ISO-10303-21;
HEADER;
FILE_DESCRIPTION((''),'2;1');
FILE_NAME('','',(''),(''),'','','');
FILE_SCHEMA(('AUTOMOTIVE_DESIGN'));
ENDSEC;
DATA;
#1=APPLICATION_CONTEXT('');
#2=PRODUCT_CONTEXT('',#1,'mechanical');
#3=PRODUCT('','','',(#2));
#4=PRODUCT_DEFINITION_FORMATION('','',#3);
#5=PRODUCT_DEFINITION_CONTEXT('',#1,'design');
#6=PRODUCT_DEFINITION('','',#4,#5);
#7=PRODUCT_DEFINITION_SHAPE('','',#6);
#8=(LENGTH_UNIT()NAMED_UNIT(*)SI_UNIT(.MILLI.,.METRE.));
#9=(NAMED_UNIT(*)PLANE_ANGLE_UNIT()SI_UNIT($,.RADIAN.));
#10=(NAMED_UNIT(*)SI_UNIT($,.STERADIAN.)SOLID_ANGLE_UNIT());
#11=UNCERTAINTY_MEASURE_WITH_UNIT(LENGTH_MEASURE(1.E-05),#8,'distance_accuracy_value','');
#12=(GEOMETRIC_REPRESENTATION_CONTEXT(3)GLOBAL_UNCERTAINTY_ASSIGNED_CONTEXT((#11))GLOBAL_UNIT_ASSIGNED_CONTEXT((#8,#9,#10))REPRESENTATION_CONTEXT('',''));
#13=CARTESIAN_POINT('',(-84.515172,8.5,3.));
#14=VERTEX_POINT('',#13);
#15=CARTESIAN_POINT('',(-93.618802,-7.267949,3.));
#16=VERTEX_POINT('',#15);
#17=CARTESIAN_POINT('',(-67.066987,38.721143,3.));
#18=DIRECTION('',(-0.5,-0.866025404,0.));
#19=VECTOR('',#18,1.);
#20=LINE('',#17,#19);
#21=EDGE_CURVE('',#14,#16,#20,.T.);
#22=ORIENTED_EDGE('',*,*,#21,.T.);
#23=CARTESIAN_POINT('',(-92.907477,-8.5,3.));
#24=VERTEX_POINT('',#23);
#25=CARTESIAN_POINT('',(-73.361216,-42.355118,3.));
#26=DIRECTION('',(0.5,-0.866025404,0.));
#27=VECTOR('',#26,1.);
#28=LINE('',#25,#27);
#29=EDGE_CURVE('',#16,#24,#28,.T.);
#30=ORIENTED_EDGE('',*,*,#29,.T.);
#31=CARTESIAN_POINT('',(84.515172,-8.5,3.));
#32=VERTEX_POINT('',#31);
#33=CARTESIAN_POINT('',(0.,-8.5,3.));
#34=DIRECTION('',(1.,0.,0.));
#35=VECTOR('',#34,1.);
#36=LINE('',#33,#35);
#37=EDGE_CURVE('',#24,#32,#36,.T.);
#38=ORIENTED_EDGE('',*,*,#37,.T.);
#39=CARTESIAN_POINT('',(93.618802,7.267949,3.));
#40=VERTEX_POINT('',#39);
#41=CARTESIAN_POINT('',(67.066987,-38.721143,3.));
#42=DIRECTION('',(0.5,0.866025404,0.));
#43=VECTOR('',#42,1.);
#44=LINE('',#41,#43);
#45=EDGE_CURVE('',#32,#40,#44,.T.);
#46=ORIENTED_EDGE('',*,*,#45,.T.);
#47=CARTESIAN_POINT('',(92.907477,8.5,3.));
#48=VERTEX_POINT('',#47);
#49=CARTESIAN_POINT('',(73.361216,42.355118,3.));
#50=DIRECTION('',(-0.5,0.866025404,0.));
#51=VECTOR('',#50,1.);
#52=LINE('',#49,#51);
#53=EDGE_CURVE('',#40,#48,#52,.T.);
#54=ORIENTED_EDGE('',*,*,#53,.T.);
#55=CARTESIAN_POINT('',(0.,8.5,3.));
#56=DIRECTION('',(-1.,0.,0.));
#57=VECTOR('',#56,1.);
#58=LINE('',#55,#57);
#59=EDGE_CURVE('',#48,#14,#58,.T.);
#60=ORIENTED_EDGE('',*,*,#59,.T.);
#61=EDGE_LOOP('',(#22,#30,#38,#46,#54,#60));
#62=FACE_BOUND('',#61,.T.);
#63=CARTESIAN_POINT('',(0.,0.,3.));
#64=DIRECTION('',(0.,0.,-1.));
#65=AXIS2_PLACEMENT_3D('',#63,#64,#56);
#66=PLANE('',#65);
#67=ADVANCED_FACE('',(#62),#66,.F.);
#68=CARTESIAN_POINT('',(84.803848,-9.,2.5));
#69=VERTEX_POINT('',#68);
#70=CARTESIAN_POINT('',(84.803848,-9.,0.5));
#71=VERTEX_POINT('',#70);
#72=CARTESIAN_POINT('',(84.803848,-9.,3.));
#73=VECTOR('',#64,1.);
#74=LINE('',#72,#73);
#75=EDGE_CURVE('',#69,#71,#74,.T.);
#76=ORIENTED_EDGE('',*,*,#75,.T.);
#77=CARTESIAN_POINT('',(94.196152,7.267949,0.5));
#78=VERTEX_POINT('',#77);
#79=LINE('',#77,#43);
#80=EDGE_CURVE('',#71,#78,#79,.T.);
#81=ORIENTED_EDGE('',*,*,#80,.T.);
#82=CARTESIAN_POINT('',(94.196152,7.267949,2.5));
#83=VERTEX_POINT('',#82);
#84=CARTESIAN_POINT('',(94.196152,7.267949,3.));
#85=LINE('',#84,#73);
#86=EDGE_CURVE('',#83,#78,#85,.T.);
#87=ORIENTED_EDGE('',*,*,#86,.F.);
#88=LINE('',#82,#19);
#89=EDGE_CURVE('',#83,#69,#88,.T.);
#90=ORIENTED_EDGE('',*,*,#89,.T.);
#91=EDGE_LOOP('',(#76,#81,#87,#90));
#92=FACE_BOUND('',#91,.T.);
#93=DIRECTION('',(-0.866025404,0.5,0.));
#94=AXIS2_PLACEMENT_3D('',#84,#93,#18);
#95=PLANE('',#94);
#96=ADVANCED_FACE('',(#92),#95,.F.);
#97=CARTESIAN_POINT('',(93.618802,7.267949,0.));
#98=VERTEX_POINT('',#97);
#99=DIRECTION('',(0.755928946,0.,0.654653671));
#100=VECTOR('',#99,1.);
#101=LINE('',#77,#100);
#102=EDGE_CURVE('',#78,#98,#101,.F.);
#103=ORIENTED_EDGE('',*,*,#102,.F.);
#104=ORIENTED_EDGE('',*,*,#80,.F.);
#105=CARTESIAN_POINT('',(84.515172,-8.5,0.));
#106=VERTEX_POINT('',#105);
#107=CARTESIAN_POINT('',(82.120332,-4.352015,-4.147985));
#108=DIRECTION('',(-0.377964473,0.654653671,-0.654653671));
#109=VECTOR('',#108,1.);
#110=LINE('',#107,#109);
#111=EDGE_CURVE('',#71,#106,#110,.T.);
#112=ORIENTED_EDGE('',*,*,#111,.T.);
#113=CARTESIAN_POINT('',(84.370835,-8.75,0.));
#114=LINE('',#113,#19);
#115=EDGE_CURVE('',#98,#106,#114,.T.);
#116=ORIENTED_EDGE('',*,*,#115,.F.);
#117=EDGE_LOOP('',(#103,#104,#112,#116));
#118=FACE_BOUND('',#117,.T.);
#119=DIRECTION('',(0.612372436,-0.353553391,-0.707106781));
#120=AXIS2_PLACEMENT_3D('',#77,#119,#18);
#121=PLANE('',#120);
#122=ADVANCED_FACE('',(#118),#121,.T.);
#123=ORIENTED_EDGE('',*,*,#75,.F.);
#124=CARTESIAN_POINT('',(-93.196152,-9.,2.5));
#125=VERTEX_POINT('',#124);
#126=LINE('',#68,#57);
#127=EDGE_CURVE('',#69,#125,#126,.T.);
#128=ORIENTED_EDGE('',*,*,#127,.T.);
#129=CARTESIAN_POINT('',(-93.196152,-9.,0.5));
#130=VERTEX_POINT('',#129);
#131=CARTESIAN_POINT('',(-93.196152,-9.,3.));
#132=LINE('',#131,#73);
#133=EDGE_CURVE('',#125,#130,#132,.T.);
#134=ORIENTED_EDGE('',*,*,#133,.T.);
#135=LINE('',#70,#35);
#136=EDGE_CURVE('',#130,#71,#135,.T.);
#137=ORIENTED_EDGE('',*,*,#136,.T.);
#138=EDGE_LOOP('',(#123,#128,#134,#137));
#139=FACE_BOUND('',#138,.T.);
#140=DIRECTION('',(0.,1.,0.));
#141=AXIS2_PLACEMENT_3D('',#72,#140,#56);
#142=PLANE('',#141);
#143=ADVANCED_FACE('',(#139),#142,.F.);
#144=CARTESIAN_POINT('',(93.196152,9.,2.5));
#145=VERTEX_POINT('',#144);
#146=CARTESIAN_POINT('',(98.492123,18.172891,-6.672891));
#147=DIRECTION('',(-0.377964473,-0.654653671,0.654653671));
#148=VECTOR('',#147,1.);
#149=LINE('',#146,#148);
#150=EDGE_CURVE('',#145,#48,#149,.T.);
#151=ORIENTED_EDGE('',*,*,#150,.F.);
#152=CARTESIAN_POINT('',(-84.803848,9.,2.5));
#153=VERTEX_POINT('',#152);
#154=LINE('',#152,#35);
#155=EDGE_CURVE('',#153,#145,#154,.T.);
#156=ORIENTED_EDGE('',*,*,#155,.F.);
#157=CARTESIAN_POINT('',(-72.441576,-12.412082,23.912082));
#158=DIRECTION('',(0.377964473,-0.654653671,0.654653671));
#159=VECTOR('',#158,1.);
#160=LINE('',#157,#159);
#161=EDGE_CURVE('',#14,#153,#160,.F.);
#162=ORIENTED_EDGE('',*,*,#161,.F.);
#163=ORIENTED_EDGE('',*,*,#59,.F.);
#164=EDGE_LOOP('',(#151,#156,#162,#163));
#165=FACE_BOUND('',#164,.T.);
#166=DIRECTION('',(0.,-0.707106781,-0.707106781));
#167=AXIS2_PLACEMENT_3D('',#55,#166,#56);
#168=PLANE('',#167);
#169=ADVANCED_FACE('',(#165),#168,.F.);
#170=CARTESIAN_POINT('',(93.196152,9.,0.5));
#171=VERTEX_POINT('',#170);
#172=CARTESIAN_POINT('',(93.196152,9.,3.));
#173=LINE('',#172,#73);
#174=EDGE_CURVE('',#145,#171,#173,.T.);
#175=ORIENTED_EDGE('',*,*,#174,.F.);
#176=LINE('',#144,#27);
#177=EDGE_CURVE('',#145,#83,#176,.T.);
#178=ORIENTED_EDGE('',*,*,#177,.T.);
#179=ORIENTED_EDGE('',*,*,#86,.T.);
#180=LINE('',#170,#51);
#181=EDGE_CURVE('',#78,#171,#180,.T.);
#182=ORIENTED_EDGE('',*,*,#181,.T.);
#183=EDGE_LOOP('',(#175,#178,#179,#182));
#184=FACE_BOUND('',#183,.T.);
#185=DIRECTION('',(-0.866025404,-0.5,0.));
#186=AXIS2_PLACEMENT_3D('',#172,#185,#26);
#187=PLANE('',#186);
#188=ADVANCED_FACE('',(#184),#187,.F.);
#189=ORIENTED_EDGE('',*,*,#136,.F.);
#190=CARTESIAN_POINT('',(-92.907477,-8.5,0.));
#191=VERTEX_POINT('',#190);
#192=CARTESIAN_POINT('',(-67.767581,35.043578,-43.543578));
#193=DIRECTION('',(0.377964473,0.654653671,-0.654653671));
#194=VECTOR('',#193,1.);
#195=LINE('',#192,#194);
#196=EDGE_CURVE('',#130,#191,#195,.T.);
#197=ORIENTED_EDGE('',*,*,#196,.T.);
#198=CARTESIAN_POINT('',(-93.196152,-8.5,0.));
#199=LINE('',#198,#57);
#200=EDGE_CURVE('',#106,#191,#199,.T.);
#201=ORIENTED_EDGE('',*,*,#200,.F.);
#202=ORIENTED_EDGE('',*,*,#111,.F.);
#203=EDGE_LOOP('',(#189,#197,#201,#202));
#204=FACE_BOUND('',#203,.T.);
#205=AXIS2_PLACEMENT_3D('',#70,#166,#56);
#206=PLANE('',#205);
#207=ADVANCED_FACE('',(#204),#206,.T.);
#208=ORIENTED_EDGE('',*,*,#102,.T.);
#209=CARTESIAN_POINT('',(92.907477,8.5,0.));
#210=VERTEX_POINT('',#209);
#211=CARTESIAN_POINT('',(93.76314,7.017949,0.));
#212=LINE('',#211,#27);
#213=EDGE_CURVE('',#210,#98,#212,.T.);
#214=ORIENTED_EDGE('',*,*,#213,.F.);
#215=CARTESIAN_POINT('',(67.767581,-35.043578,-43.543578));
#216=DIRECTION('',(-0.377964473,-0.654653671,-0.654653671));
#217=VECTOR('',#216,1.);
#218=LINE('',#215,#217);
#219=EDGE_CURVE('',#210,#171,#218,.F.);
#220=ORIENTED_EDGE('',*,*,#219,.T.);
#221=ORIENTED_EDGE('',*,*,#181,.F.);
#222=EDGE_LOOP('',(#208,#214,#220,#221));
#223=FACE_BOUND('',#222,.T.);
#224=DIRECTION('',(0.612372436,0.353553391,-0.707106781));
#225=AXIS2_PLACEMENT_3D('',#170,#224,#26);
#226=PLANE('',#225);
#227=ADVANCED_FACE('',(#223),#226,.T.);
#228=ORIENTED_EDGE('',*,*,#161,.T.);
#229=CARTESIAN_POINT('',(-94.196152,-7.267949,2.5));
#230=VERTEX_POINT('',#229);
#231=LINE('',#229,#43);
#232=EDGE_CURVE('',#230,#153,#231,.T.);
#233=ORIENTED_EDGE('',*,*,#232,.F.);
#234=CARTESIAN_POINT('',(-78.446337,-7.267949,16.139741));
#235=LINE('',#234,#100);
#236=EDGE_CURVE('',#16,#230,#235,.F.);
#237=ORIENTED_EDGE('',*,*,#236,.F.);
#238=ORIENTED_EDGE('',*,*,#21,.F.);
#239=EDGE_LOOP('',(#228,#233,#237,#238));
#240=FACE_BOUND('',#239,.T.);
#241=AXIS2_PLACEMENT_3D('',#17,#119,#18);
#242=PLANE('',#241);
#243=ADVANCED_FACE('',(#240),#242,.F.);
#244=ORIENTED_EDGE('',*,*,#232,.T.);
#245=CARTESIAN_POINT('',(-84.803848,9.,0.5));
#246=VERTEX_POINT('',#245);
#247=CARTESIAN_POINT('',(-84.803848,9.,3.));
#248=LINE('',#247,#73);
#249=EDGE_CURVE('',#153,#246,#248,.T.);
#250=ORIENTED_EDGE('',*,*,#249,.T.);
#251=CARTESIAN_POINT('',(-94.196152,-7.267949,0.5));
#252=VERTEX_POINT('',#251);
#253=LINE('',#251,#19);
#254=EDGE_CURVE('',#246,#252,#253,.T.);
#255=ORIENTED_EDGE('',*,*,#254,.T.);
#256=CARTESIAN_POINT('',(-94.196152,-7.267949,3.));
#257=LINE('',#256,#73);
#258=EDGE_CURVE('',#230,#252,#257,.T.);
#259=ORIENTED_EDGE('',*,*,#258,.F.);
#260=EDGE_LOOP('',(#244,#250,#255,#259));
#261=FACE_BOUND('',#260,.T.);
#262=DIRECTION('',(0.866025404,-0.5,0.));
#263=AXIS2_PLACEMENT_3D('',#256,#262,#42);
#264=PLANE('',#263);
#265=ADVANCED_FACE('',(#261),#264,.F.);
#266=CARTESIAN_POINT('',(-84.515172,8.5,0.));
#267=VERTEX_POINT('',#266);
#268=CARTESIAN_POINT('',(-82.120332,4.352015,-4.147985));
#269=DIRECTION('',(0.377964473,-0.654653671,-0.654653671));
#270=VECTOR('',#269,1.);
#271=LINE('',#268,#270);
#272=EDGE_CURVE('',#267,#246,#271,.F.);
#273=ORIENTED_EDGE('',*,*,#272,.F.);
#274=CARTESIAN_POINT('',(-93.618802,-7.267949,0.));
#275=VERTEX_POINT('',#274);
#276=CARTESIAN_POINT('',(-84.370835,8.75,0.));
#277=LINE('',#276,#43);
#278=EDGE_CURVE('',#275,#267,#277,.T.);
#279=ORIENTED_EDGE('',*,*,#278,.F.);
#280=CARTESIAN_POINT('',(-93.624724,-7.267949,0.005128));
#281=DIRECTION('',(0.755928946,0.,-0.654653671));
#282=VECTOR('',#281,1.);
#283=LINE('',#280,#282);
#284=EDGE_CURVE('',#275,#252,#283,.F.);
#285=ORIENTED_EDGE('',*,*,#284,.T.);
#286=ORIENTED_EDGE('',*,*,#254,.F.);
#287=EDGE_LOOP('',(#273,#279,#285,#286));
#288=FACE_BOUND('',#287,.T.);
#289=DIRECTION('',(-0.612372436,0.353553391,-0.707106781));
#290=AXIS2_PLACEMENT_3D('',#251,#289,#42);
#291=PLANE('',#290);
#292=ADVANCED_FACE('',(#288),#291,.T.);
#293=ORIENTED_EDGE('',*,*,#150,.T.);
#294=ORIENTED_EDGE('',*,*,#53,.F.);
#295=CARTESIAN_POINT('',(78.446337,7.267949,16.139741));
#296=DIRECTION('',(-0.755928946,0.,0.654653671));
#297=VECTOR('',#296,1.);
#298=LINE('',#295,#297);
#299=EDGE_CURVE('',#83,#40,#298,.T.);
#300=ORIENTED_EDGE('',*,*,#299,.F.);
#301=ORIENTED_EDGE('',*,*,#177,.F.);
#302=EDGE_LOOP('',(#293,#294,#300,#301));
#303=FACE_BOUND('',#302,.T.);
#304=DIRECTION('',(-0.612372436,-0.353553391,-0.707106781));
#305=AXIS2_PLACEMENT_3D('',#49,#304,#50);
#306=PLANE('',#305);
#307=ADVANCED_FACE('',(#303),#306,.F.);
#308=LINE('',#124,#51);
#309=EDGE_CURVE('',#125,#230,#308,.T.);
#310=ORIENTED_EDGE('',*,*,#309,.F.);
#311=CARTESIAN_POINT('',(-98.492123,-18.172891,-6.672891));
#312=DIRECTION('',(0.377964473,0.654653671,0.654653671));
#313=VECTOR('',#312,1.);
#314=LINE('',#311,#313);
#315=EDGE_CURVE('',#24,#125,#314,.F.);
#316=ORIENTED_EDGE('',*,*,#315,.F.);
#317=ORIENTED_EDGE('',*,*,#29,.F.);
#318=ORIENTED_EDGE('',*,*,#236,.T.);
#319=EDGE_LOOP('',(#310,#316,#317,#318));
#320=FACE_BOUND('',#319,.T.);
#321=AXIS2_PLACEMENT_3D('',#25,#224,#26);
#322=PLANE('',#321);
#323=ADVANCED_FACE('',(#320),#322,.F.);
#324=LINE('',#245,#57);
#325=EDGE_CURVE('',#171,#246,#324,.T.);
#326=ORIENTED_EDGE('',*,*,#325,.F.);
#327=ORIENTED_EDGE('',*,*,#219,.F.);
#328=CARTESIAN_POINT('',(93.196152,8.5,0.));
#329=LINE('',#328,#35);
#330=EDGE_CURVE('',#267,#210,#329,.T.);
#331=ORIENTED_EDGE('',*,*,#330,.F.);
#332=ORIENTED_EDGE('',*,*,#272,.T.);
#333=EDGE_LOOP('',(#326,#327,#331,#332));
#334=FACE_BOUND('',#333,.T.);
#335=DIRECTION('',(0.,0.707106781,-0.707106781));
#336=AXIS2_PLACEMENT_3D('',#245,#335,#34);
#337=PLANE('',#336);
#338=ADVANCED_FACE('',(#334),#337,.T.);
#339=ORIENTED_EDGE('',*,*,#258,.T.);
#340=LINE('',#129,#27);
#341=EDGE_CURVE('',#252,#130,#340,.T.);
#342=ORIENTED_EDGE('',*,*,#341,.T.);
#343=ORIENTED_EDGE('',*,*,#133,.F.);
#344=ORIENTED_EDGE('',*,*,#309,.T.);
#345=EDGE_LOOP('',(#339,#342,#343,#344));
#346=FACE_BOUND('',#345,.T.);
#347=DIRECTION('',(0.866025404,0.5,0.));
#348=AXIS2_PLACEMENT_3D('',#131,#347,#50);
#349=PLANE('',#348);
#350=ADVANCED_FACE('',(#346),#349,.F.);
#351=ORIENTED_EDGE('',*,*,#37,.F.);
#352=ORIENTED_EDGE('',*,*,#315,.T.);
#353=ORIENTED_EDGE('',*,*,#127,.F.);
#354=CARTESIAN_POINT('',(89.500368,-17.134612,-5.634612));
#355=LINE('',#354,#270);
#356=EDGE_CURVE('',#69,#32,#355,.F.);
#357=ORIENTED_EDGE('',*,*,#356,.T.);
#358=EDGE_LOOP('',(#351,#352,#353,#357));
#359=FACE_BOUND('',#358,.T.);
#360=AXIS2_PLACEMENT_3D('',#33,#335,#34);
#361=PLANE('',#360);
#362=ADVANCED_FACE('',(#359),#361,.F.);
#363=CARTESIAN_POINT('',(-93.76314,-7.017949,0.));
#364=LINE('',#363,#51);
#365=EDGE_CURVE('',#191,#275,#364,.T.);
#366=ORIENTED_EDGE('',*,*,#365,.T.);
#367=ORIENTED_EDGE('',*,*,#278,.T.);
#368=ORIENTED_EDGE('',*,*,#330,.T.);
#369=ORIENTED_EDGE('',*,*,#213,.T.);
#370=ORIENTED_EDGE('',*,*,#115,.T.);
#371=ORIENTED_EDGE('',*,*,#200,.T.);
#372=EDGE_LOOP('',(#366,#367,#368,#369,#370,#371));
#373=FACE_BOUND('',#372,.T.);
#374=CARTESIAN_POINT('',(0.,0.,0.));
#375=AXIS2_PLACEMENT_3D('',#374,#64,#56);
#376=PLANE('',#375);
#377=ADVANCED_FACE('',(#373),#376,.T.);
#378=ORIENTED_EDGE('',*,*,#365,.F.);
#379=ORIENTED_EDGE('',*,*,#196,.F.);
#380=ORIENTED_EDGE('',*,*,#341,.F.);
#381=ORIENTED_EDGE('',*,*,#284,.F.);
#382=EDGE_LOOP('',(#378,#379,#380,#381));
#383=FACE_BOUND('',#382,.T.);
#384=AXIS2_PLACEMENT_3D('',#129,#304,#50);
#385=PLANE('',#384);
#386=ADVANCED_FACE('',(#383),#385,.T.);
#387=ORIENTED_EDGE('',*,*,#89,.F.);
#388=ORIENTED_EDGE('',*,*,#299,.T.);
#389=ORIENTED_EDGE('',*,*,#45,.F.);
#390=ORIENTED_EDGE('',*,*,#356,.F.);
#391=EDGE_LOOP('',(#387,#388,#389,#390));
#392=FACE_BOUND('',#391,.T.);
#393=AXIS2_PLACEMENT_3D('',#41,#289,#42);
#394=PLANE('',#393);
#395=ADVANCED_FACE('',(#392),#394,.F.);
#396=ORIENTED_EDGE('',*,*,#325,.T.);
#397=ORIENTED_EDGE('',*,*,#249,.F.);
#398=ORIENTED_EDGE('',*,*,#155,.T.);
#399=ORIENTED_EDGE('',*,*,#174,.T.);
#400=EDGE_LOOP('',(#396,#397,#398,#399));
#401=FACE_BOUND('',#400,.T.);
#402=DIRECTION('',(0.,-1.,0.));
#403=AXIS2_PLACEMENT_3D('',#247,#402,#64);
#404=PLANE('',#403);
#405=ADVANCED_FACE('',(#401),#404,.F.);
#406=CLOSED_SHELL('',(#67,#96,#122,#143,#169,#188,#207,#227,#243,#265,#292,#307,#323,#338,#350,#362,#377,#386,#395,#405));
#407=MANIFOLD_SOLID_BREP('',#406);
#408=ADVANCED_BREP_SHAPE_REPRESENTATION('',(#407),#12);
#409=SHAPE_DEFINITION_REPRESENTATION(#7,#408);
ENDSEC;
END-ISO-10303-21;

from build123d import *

# Parameters (mm, degrees)
EXTRUDE_1_DEPTH = 3
CHAMFER_1_SIZE  = 0.5


with BuildPart() as part:
    # 草图1 → 凸台-拉伸1 (new body)
    with BuildSketch(Plane.XY):
        Polygon((84.803847577, -9), (-93.196152423, -9), (-94.196152423, -7.267949192), (-84.803847577, 9), (93.196152423, 9), (94.196152423, 7.267949192), align=None)
    extrude(amount=EXTRUDE_1_DEPTH)

    # 倒角1
    chamfer_1_edges = [part.edges().sort_by_distance(p)[0] for p in [
        (4.196152423, 9, 3),
        (-89.5, 0.866025404, 3),
        (-93.696152423, -8.133974596, 3),
        (-4.196152423, -9, 3),
        (89.5, -0.866025404, 3),
        (-4.196152423, -9, 0),
        (-93.696152423, -8.133974596, 0),
        (-89.5, 0.866025404, 0),
        (4.196152423, 9, 0),
        (93.696152423, 8.133974596, 0),
        (89.5, -0.866025404, 0),
        (93.696152423, 8.133974596, 3),
    ]]
    chamfer(chamfer_1_edges, length=CHAMFER_1_SIZE)


solid = part.part
